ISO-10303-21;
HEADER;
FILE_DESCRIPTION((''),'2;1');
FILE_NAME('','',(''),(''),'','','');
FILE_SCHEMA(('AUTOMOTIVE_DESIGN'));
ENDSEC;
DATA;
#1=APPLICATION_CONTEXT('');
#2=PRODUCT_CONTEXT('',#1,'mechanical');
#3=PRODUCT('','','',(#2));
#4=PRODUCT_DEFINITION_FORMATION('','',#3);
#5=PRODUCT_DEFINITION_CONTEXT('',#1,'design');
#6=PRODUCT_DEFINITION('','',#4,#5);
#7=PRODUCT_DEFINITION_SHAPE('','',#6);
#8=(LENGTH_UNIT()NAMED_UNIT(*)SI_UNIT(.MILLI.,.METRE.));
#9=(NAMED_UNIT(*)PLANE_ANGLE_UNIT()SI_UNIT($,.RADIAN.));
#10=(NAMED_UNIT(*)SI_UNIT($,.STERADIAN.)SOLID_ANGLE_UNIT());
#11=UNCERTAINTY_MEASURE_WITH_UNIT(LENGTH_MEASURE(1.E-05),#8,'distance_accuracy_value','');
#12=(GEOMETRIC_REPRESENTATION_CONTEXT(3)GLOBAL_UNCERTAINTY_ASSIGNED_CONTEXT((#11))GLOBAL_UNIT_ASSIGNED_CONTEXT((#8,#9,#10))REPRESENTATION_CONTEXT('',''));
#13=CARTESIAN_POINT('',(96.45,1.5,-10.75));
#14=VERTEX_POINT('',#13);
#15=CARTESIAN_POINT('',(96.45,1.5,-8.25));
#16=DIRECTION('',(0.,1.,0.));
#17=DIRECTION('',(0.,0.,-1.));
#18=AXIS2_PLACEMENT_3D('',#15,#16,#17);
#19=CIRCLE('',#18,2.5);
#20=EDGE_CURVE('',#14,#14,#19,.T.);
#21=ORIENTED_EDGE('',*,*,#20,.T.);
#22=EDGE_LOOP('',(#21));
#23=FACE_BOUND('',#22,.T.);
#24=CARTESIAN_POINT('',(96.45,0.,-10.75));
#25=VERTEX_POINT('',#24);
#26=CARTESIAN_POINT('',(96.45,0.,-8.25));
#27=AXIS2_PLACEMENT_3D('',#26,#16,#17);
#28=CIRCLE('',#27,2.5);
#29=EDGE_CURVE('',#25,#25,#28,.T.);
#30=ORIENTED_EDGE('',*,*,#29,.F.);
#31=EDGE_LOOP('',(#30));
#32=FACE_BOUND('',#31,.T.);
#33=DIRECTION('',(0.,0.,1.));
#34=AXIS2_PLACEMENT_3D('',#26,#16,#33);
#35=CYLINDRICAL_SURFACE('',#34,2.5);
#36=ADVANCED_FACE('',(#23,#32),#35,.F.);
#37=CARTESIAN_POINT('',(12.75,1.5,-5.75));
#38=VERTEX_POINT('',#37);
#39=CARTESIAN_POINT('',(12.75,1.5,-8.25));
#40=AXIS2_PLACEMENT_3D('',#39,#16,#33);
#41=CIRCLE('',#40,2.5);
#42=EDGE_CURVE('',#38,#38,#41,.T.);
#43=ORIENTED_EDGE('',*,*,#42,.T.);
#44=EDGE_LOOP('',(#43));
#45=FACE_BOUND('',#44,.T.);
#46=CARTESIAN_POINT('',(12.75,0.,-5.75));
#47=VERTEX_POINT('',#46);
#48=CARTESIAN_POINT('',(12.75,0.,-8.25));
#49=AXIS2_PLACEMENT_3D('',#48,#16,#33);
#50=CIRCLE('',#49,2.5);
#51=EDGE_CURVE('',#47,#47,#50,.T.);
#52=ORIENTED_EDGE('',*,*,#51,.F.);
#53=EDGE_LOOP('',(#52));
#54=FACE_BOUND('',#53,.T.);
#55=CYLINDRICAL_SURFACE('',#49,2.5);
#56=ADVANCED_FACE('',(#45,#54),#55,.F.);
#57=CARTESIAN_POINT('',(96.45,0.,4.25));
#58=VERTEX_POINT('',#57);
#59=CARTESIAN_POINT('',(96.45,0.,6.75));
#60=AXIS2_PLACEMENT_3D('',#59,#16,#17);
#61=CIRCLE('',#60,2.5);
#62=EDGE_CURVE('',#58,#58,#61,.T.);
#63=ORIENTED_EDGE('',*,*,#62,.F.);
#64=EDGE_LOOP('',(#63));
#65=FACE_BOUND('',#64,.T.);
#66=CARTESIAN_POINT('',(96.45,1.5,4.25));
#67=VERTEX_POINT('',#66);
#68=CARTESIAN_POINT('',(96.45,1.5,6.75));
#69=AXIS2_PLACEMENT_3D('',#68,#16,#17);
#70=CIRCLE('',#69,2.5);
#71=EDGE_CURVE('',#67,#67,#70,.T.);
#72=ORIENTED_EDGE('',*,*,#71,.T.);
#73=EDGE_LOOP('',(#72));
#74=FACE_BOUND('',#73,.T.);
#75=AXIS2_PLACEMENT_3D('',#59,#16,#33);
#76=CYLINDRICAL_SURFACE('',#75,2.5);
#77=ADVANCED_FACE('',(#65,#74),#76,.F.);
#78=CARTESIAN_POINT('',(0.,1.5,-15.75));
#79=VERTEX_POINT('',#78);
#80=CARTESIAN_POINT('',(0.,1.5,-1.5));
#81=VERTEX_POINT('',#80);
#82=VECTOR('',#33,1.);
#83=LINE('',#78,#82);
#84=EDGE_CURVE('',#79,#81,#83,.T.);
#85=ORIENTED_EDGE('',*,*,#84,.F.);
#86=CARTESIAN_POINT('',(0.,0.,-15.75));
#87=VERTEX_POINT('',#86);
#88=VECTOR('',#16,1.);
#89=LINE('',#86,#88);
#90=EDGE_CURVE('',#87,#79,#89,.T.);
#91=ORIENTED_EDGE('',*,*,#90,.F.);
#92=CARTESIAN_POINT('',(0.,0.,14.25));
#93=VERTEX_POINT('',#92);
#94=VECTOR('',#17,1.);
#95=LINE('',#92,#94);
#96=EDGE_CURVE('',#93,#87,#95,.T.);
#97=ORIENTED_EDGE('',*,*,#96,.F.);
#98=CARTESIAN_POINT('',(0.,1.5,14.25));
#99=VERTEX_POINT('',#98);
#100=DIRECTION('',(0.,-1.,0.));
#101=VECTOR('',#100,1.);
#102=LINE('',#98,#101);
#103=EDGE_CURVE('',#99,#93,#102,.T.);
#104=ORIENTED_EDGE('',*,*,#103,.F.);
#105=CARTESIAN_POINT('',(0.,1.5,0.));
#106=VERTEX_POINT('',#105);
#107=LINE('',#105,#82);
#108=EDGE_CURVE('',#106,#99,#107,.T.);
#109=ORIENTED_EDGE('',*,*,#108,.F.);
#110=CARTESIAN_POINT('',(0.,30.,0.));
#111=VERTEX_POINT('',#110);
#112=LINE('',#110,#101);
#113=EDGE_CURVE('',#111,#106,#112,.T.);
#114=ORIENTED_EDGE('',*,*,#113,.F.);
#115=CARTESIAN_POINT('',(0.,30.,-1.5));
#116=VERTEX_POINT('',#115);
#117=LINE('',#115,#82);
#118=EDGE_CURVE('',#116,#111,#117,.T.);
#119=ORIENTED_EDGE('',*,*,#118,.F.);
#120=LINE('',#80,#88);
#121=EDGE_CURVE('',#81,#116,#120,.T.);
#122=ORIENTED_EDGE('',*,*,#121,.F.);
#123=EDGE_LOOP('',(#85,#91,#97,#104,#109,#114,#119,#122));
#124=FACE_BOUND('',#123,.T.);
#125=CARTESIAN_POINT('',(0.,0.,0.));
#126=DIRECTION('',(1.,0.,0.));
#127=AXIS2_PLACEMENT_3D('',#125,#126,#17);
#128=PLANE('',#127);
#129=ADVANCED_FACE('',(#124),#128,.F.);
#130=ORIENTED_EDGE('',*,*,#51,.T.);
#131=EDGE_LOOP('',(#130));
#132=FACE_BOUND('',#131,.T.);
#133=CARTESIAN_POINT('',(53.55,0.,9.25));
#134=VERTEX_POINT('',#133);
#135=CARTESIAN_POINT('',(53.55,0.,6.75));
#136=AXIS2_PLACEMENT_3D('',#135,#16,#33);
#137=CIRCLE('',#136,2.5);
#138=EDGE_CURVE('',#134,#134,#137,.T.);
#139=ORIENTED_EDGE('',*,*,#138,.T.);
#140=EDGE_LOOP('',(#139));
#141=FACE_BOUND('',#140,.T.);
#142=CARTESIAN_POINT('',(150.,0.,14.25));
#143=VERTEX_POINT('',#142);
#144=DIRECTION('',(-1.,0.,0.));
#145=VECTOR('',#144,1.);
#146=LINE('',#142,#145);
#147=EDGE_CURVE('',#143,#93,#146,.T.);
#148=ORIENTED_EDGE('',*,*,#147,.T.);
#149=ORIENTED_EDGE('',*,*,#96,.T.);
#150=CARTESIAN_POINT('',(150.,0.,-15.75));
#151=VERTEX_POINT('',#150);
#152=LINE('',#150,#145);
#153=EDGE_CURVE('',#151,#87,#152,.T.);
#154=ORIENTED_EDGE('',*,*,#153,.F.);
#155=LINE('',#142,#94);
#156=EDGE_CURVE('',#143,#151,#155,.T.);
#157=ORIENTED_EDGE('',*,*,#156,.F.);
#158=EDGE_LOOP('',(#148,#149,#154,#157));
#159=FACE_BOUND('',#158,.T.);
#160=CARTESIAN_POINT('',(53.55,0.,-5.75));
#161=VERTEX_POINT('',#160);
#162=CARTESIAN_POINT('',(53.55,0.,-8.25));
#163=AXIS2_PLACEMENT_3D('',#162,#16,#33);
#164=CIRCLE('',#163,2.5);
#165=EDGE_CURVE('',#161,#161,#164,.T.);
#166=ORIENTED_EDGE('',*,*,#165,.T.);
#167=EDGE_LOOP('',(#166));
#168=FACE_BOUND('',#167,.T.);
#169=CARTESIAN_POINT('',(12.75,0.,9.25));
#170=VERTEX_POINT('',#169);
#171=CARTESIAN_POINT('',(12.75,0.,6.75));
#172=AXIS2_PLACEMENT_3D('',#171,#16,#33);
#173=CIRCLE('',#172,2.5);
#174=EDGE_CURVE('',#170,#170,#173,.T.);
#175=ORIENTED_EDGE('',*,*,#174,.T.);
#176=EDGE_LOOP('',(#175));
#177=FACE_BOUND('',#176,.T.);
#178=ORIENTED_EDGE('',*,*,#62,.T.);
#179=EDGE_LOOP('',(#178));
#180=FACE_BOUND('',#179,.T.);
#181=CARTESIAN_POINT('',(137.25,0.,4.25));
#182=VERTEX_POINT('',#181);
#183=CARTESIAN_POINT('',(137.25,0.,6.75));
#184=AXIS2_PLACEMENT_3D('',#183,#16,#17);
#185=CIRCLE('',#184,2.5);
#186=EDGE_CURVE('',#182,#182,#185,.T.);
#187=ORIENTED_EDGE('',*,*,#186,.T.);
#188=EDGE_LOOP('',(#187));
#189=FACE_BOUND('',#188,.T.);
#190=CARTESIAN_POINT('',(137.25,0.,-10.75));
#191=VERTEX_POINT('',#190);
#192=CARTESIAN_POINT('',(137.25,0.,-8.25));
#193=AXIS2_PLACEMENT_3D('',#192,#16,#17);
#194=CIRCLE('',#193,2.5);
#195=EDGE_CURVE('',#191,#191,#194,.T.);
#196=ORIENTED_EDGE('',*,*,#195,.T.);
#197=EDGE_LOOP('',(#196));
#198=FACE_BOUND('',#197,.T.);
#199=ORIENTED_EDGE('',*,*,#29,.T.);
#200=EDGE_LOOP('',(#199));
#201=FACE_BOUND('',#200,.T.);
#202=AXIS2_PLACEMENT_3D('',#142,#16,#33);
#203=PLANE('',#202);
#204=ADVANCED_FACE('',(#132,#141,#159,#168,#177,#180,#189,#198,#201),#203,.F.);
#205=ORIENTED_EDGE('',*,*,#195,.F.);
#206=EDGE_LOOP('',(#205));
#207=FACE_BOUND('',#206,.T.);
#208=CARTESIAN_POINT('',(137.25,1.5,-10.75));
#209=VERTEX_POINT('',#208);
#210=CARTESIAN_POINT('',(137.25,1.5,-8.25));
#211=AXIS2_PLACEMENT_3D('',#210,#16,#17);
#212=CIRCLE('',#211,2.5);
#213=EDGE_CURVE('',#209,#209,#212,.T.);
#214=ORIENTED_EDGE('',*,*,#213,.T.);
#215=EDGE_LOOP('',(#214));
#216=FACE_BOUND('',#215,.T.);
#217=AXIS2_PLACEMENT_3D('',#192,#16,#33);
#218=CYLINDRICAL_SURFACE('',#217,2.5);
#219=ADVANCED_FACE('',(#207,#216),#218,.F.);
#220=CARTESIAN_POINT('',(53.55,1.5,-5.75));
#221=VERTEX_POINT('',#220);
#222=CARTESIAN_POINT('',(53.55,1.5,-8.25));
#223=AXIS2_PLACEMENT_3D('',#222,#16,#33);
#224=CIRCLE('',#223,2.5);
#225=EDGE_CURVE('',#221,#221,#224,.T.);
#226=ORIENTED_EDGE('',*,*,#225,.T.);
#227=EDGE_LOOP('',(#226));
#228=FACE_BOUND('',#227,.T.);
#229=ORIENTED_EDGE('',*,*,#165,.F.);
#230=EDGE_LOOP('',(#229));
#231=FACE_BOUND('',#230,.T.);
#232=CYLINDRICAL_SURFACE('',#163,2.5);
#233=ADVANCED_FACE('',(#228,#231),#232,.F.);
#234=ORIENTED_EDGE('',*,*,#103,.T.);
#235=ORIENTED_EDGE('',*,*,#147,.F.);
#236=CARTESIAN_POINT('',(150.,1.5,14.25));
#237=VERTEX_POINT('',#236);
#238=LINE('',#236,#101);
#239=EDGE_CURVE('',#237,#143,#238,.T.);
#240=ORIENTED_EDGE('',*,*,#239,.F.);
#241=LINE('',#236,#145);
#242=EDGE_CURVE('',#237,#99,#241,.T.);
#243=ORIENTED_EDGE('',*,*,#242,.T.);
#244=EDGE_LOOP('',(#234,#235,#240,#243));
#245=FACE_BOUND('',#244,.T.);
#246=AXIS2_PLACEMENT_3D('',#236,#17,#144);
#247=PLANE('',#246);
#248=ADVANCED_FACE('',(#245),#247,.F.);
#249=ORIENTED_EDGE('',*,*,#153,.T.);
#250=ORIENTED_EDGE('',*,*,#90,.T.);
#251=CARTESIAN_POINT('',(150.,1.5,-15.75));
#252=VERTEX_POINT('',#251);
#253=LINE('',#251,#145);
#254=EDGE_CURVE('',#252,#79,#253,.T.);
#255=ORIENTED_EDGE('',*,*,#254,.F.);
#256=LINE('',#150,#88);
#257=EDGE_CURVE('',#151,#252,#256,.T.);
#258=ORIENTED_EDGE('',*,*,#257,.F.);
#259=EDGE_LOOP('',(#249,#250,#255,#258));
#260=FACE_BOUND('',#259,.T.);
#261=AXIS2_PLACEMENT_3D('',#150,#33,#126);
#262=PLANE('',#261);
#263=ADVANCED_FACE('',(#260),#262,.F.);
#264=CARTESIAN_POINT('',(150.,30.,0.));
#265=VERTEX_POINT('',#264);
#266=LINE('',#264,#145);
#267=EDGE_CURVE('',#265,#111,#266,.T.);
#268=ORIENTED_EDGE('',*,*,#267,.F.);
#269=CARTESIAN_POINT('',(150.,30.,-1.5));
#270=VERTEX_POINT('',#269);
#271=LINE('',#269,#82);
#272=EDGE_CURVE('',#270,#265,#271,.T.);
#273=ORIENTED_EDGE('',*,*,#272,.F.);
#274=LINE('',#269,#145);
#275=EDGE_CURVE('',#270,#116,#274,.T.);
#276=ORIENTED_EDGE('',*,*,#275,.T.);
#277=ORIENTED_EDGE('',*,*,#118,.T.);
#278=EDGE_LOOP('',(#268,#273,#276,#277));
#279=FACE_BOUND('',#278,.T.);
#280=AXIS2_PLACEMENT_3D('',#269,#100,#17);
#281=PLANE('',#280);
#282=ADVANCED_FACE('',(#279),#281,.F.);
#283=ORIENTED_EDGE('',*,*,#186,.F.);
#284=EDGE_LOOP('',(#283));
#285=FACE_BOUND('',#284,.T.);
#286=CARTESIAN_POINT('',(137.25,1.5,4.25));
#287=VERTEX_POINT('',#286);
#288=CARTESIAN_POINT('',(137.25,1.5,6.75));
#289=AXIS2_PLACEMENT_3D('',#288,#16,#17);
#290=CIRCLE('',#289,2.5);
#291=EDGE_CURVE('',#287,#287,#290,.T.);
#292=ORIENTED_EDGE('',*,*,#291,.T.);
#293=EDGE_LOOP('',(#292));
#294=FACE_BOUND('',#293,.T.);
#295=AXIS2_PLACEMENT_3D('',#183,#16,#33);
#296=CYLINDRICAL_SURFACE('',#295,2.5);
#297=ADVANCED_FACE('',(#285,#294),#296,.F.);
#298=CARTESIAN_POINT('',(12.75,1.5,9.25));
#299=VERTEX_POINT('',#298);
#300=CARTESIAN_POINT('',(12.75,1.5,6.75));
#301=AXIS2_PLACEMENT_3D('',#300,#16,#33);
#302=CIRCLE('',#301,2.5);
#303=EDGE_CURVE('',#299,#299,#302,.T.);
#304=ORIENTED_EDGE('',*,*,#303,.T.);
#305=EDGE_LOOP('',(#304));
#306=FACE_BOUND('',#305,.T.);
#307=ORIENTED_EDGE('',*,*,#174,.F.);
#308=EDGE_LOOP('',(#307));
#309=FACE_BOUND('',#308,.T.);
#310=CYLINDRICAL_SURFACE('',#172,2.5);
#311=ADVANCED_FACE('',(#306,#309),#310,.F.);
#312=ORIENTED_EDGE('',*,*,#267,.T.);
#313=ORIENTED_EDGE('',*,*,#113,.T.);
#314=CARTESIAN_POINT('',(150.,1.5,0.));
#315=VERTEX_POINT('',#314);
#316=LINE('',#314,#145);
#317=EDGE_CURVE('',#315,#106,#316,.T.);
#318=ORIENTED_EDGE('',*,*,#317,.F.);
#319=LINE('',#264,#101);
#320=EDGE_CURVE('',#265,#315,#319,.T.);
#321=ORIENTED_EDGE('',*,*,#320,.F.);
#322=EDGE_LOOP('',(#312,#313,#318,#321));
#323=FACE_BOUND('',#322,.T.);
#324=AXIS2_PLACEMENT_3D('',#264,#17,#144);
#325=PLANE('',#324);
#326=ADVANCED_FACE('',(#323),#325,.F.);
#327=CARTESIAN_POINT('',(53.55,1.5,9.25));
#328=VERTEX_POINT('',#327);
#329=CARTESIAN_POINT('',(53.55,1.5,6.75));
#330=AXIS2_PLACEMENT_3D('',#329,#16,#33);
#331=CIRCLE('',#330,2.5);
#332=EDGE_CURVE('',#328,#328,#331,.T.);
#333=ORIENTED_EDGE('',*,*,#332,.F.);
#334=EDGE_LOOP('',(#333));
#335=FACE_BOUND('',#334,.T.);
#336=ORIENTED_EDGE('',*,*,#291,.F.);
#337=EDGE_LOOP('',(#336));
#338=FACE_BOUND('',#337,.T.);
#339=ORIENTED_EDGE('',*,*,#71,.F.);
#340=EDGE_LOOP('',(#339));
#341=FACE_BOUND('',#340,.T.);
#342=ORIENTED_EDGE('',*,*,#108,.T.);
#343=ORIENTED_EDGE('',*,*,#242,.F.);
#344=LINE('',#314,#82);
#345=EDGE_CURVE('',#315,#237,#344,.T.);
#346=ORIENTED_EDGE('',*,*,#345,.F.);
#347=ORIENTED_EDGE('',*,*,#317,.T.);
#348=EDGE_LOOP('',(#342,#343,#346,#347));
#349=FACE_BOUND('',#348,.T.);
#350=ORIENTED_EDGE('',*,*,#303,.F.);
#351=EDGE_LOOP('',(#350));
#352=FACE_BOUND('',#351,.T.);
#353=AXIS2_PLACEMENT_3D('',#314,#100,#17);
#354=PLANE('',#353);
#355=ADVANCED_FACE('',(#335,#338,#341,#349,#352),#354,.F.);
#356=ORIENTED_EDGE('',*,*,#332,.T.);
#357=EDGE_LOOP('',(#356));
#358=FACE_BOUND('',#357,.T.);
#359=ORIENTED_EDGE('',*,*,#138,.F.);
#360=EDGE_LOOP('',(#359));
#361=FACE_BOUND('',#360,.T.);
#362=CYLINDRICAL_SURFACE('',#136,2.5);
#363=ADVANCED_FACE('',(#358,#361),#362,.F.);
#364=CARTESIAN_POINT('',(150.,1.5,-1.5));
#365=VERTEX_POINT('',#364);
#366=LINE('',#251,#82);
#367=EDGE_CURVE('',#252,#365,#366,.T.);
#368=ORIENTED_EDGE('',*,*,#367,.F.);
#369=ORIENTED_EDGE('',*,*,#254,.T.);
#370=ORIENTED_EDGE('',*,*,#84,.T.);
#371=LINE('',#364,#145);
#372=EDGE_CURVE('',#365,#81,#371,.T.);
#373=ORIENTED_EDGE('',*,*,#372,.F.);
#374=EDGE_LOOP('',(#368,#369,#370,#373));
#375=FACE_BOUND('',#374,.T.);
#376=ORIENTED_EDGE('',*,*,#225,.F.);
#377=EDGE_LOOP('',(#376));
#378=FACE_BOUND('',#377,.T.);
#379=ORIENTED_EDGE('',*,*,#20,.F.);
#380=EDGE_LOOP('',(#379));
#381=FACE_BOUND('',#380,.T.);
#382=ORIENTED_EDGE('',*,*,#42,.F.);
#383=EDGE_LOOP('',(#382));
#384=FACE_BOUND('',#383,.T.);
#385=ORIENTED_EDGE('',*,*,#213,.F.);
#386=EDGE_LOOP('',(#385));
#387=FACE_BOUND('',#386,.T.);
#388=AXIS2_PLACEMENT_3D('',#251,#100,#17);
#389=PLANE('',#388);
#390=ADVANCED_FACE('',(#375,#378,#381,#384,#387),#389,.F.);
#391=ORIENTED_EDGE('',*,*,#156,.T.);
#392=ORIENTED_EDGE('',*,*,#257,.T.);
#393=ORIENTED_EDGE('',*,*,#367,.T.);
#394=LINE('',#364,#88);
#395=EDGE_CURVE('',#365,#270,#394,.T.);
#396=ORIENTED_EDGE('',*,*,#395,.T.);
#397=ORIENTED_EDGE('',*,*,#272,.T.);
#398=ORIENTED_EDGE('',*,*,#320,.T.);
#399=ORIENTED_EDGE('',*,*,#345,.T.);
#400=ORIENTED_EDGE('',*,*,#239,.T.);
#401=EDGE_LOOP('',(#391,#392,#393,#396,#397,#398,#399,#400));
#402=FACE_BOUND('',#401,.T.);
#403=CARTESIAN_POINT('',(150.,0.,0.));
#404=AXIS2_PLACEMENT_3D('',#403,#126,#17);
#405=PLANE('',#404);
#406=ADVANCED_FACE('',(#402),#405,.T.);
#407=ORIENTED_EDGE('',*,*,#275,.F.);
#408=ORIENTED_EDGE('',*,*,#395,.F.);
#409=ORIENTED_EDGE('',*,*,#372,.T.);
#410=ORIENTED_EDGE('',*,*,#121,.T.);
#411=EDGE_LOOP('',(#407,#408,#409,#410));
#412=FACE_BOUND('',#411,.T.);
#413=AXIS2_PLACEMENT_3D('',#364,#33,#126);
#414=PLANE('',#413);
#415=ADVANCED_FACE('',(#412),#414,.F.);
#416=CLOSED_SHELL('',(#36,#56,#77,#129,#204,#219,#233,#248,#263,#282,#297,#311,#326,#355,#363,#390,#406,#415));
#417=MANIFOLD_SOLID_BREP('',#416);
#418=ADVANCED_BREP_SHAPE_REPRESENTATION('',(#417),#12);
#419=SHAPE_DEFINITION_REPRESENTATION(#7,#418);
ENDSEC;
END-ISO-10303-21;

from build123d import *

# Parameters (mm, degrees)
BOSS_EXTRUDE1_DEPTH = 150
SKETCH2_R           = 2.5
CUT_EXTRUDE1_DEPTH  = 154.493688795


with BuildPart() as part:
    # Sketch1 → Boss-Extrude1 (new body)
    with BuildSketch(Plane(origin=(0, 0, 0), x_dir=(0, 0, -1), z_dir=(1, 0, 0))):
        Polygon((-14.25, 0), (15.75, 0), (15.75, 1.5), (1.5, 1.5), (1.5, 30), (0, 30), (0, 1.5), (-14.25, 1.5), align=None)
    extrude(amount=BOSS_EXTRUDE1_DEPTH)

    # Sketch2 → Cut-Extrude1 (cut, through all)
    with BuildSketch(Plane(origin=(0, 1.5, 0), x_dir=(1, 0, 0), z_dir=(0, 1, 0))):
        with Locations(Location((12.75, -6.75, 0), (0, 0, 270))):
            Circle(SKETCH2_R)
        with Locations(Location((12.75, 8.25, 0), (0, 0, 270))):
            Circle(SKETCH2_R)
        with Locations(Location((53.55, 8.25, 0), (0, 0, 270))):
            Circle(SKETCH2_R)
        with Locations(Location((53.55, -6.75, 0), (0, 0, 270))):
            Circle(SKETCH2_R)
        with Locations(Location((96.45, -6.75, 0), (0, 0, 90))):
            Circle(SKETCH2_R)
        with Locations(Location((96.45, 8.25, 0), (0, 0, 90))):
            Circle(SKETCH2_R)
        with Locations(Location((137.25, 8.25, 0), (0, 0, 90))):
            Circle(SKETCH2_R)
        with Locations(Location((137.25, -6.75, 0), (0, 0, 90))):
            Circle(SKETCH2_R)
    extrude(amount=-CUT_EXTRUDE1_DEPTH, mode=Mode.SUBTRACT)


solid = part.part
